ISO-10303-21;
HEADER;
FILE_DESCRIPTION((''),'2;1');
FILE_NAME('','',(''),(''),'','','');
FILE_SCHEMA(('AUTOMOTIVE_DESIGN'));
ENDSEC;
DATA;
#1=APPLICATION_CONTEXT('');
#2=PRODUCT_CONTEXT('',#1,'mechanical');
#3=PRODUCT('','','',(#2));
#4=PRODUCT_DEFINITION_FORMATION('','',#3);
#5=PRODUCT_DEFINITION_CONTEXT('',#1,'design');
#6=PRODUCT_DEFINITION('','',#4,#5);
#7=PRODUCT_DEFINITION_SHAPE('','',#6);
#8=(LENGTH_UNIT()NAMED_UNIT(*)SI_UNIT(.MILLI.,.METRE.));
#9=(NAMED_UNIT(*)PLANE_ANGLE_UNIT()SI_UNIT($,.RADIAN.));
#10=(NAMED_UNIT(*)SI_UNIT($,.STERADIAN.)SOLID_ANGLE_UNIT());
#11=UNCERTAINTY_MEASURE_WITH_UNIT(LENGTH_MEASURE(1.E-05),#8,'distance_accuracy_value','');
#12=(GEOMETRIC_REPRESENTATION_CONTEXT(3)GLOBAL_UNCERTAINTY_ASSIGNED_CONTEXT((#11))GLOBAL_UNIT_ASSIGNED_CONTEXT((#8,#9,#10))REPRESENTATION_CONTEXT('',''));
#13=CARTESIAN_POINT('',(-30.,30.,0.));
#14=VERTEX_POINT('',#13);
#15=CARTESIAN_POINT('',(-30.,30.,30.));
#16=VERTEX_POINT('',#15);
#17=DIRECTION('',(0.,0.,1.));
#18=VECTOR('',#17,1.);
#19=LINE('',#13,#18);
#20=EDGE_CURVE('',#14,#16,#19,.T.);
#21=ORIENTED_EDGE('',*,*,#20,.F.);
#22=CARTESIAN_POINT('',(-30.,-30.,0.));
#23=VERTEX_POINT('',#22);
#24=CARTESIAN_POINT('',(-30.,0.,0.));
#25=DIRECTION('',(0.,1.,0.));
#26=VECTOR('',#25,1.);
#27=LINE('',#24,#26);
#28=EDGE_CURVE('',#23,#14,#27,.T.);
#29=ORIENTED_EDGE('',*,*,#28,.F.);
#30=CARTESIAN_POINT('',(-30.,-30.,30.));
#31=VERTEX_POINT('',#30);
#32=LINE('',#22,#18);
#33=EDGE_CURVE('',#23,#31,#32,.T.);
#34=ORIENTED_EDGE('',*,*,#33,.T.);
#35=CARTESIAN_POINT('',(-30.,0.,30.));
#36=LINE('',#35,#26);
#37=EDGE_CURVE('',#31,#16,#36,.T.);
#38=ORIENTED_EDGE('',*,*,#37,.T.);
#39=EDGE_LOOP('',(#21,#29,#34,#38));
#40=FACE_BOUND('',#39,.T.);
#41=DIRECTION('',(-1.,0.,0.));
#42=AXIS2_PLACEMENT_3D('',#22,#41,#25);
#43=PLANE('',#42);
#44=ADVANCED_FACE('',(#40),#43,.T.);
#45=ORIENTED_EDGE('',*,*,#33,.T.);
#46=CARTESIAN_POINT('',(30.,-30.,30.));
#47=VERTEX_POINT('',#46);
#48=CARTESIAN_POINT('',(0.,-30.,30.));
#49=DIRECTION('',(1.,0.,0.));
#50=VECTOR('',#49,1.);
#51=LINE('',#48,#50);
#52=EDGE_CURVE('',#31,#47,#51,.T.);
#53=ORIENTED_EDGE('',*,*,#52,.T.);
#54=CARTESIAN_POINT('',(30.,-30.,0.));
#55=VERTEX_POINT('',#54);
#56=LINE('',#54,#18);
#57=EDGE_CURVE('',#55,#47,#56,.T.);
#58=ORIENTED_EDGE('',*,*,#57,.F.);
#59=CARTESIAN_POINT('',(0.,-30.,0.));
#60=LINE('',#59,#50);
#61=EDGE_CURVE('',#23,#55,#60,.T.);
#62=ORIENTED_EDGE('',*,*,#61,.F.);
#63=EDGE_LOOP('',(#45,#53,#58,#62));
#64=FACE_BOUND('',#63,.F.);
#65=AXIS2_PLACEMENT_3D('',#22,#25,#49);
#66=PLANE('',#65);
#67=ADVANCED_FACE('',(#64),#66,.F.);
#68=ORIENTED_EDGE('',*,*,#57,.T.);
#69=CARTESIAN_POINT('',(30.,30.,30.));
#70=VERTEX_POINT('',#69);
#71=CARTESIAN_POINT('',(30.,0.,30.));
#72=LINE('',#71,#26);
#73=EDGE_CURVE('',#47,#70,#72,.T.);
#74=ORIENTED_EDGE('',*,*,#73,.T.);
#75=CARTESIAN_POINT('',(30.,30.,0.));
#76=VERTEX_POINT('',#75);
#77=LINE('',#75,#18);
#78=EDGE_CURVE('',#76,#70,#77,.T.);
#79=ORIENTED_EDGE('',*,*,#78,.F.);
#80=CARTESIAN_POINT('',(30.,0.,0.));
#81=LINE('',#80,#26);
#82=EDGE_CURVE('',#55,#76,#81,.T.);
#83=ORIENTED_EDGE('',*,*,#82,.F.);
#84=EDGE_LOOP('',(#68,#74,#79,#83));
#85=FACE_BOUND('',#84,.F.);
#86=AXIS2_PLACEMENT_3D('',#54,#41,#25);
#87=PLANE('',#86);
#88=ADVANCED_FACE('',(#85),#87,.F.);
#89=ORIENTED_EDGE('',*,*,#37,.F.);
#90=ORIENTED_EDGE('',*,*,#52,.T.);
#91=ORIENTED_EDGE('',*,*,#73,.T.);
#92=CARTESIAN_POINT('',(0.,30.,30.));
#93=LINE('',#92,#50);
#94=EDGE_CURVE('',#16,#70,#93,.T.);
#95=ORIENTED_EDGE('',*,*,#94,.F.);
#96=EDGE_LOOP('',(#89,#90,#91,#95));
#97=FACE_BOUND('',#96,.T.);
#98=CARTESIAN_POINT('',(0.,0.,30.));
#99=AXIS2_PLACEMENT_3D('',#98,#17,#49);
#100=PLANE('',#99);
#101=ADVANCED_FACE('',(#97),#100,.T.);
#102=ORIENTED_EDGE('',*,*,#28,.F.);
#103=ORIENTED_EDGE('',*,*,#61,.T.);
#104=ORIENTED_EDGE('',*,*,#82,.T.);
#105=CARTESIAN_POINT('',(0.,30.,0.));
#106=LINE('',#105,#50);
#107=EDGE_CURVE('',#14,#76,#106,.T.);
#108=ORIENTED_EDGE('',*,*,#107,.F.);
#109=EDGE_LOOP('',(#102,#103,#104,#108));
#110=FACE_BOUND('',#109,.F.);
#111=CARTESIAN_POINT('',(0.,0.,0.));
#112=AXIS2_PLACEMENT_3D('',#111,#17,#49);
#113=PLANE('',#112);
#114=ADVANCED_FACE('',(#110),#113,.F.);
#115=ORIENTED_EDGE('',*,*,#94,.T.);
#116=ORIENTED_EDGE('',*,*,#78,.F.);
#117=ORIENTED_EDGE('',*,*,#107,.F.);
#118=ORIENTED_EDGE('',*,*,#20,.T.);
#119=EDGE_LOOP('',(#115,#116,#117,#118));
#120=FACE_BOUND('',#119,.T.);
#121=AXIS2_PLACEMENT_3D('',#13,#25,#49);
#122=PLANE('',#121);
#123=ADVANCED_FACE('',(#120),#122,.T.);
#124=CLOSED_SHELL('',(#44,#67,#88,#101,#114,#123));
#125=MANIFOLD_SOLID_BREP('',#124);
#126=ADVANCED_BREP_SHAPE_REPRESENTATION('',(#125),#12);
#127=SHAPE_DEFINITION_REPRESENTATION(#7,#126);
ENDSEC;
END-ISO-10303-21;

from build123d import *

# Parameters (mm, degrees)
SKETCH_1_W      = 60
SKETCH_1_H      = 60
EXTRUDE_1_DEPTH = 30


with BuildPart() as part:
    # 草图1 → 凸台-拉伸1 (new body)
    with BuildSketch(Plane.XY):
        Rectangle(SKETCH_1_W, SKETCH_1_H)
    extrude(amount=EXTRUDE_1_DEPTH)


solid = part.part
